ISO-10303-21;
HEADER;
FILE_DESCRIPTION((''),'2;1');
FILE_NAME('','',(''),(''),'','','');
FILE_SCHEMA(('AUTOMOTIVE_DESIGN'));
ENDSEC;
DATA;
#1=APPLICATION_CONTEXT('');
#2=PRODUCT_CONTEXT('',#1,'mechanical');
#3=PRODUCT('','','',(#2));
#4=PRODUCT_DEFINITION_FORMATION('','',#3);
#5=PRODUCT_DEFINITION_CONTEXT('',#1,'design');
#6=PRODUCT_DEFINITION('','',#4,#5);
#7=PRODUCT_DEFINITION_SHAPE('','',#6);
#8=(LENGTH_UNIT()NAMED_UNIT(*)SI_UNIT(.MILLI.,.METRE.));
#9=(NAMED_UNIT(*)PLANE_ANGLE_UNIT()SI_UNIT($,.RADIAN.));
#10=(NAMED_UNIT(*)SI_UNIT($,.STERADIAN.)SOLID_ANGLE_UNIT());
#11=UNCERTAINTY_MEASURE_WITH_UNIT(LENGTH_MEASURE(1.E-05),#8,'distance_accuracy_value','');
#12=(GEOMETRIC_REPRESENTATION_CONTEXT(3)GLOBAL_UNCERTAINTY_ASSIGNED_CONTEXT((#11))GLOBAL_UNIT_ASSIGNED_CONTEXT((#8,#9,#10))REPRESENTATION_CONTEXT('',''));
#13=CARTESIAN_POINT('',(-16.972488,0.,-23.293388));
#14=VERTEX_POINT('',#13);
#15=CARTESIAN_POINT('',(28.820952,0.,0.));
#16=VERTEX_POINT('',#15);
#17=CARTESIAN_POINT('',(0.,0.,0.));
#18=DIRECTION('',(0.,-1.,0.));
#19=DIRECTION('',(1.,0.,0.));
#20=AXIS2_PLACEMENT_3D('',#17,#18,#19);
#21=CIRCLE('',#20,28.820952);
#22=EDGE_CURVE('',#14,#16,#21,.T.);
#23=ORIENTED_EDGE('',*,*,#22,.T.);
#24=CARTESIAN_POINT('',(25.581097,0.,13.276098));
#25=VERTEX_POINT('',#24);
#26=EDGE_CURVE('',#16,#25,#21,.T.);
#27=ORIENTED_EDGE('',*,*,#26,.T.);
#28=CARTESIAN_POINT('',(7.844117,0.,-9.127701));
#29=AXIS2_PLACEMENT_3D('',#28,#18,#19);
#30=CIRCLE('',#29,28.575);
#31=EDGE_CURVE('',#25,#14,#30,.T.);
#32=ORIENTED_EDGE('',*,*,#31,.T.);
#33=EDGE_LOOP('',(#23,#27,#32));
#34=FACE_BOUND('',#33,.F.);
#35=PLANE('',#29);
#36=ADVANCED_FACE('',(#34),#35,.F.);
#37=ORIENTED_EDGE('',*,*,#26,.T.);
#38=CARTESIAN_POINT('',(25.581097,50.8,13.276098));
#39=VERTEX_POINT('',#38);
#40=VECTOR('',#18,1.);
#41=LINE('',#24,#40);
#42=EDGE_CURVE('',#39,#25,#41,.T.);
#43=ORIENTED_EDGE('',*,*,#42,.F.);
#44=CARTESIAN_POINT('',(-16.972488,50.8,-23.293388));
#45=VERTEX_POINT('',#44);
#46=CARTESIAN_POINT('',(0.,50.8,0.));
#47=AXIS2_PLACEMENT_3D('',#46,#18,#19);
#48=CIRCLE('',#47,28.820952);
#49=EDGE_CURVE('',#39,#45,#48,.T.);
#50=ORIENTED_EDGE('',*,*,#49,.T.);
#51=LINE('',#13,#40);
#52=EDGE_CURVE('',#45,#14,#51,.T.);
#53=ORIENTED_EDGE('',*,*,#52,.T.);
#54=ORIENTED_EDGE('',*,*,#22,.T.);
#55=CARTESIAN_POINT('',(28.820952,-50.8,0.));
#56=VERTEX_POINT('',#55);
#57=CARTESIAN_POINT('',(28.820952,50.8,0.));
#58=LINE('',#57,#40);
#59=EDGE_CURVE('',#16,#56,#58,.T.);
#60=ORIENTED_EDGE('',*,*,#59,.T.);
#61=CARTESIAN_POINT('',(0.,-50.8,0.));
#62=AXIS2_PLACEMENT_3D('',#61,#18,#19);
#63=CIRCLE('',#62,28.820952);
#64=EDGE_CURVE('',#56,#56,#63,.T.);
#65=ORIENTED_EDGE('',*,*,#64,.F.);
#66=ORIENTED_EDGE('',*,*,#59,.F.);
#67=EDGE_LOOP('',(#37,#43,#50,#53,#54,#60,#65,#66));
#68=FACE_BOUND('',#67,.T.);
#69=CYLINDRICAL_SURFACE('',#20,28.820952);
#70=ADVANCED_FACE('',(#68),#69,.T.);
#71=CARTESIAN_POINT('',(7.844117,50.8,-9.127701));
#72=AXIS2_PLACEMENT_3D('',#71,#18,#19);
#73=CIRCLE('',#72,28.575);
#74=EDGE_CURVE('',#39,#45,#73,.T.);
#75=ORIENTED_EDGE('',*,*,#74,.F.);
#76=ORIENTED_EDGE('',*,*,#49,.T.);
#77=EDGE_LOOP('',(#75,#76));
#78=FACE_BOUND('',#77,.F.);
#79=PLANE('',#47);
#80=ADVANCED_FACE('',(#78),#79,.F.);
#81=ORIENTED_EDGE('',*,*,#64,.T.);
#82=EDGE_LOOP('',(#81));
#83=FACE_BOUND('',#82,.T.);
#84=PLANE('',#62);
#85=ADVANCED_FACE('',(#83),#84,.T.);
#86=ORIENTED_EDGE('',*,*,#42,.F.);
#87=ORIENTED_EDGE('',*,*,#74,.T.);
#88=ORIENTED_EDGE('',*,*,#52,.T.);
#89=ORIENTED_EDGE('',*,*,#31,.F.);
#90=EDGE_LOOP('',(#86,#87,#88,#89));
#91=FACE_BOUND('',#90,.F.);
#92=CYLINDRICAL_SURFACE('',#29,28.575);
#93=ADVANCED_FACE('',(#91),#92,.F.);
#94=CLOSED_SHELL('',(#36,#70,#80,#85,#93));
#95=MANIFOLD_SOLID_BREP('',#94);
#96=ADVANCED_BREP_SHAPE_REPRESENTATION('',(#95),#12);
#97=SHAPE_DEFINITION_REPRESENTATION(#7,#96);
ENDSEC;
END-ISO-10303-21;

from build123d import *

# Parameters (mm, degrees)
F0_R     = 28.8209521985
F1_DEPTH = 50.8
F3_D     = 57.15
F3_DEPTH = 50.801


with BuildPart() as f1:
    # F0 (on Front) → F1 (new body, symmetric)
    with BuildSketch(Plane.XZ):
        Circle(F0_R)
    extrude(amount=F1_DEPTH, both=True)

    # F3 (through all, one way)
    with BuildSketch(Plane.XZ):
        with Locations((7.8441174701, -9.1277007014)):
            Circle(F3_D / 2)
    extrude(amount=-F3_DEPTH, mode=Mode.SUBTRACT)


solid = f1.part
